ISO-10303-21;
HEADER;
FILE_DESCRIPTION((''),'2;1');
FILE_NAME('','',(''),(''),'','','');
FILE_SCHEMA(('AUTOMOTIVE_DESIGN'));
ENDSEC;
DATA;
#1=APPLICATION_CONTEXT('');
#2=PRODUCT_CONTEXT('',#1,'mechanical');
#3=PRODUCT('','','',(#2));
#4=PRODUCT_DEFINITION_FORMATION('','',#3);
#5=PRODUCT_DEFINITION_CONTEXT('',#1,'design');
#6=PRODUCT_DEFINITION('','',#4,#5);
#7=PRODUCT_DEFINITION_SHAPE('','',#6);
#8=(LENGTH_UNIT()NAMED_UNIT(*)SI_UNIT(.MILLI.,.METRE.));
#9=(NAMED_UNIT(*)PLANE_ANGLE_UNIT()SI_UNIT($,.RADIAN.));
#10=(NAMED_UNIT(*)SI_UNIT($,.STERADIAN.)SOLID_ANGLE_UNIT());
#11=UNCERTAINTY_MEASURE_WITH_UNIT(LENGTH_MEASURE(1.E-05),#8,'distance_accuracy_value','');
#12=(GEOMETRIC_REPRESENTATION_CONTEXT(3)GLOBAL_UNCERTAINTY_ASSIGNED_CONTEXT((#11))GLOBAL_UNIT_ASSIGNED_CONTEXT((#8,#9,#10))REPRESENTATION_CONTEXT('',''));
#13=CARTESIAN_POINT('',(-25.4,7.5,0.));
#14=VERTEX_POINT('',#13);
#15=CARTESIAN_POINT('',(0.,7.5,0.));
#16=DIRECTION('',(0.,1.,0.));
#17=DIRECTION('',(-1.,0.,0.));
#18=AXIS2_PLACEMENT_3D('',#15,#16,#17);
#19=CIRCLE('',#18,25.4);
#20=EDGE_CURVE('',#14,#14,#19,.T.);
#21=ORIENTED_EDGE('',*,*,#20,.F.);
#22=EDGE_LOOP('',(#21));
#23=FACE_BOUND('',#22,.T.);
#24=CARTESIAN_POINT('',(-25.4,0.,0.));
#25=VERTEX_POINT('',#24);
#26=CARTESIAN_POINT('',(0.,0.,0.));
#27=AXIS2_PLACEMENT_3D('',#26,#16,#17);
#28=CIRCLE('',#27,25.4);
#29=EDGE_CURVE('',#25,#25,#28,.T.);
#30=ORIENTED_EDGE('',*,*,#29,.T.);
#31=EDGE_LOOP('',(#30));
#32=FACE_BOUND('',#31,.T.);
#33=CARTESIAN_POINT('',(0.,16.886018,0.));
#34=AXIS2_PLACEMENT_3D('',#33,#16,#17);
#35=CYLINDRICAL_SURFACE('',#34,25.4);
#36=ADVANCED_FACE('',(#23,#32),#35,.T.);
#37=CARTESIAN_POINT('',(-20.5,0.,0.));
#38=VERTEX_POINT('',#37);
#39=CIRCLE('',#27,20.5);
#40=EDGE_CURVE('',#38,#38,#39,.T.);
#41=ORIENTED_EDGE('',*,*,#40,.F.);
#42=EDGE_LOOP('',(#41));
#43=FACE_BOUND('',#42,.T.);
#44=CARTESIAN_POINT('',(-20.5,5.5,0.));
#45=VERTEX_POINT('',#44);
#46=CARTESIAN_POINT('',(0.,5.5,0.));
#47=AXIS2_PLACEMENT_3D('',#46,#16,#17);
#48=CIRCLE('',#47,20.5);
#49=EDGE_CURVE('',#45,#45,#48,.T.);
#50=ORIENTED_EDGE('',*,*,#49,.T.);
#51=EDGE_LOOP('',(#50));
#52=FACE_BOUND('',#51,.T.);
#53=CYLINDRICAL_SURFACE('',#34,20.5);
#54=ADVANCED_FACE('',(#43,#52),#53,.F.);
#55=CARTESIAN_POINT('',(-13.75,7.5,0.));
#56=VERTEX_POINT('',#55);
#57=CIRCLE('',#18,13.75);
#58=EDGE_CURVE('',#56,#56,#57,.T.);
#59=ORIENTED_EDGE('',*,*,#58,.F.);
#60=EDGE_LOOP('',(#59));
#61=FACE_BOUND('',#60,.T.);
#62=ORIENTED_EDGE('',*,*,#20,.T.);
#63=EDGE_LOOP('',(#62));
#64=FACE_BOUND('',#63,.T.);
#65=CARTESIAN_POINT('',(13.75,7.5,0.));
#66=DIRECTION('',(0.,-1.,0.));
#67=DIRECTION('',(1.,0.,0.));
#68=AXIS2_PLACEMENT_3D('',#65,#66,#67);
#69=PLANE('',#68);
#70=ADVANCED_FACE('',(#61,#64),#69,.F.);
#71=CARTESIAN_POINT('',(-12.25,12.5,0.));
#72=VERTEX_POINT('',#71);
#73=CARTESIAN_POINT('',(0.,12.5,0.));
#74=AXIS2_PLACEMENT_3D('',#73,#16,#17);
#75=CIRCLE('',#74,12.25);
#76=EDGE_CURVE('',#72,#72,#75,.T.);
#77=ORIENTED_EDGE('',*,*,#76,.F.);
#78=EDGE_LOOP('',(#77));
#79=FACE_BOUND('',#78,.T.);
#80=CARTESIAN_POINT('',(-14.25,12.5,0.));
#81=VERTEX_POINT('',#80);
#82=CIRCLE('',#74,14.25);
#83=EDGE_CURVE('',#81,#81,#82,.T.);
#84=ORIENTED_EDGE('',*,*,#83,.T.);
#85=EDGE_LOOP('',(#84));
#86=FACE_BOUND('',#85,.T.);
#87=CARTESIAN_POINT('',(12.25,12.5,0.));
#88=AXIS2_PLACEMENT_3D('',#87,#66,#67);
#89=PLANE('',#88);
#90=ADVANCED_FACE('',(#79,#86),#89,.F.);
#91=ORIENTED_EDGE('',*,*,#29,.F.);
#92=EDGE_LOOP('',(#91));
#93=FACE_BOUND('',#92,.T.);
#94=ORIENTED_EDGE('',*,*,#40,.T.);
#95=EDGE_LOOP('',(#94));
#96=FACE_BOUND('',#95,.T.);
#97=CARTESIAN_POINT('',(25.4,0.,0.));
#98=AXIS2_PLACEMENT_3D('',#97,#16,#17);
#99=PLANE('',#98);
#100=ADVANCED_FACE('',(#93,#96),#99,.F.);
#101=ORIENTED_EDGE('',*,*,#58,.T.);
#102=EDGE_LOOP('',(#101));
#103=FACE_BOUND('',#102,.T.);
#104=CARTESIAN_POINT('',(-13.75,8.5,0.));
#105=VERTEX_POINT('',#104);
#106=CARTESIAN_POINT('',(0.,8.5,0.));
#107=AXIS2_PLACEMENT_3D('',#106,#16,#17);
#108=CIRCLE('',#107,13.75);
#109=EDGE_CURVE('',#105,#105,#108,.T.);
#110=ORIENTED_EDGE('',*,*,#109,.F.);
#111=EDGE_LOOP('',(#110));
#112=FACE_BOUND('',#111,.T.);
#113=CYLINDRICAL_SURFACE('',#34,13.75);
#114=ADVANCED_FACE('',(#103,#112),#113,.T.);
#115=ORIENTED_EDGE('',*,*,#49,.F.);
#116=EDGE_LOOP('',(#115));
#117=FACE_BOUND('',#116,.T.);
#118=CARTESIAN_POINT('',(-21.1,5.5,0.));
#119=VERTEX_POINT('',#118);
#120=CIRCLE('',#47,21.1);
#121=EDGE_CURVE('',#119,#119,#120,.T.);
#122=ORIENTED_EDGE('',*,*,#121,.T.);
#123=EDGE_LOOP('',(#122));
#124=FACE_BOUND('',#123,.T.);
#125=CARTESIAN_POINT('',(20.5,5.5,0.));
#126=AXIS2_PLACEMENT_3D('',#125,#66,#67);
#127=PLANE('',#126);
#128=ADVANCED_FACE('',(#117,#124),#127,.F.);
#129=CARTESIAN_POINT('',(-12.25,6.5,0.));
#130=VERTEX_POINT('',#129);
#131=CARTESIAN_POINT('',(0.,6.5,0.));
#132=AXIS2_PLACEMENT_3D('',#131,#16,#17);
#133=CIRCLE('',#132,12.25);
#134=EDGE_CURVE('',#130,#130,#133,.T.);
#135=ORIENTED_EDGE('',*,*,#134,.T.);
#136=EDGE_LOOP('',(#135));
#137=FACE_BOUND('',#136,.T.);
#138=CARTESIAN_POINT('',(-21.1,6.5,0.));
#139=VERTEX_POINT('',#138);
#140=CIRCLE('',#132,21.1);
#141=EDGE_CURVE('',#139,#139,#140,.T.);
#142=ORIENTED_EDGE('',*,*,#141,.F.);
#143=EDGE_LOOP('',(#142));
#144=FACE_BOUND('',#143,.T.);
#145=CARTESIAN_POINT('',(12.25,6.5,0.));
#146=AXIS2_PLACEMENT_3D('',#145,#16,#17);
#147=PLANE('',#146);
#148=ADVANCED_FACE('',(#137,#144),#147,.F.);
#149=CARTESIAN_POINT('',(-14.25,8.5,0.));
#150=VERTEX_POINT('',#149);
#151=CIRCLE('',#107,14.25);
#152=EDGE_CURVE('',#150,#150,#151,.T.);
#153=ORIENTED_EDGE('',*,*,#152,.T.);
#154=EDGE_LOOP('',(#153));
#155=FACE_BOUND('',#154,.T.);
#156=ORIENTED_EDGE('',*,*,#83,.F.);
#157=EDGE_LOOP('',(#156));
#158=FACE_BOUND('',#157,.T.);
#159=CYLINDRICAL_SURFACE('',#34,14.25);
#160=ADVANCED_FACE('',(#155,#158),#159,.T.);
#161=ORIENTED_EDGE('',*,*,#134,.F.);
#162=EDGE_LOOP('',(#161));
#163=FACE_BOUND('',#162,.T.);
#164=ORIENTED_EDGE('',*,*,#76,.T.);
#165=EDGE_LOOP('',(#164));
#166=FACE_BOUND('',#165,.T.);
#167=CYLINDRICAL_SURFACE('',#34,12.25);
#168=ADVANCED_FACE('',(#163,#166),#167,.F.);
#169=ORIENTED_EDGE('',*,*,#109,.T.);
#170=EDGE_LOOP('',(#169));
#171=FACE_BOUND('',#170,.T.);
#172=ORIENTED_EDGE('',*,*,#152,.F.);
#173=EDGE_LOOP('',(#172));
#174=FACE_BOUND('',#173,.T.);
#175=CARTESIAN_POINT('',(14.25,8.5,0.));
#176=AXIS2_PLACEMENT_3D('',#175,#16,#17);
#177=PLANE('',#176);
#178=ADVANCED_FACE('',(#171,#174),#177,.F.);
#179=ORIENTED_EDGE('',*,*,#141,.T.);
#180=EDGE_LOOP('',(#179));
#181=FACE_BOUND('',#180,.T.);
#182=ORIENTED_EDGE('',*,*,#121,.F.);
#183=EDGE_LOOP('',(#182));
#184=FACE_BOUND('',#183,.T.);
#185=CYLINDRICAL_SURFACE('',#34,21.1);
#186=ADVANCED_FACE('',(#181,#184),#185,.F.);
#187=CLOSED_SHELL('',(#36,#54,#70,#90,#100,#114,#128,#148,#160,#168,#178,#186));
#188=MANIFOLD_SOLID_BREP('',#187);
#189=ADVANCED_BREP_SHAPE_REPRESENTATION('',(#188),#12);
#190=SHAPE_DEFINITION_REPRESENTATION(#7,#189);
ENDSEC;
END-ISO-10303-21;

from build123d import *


with BuildPart() as part:
    # 草图1 → 旋转1 (revolve)
    with BuildSketch(Plane.XY, mode=Mode.PRIVATE) as revolve_1_sk:
        Polygon((20.5, 0), (20.5, 5.5), (21.1, 5.5), (21.1, 6.5), (12.25, 6.5), (12.25, 12.5), (14.25, 12.5), (14.25, 8.5), (13.75, 8.5), (13.75, 7.5), (25.4, 7.5), (25.4, 0), align=None)
    revolve(revolve_1_sk.sketch.rotate(Axis((0, 16.886018237, 0), (0, -1, 0)), 180), axis=Axis((0, 16.886018237, 0), (0, -1, 0)))  # turned: the seam where the file's is


solid = part.part
